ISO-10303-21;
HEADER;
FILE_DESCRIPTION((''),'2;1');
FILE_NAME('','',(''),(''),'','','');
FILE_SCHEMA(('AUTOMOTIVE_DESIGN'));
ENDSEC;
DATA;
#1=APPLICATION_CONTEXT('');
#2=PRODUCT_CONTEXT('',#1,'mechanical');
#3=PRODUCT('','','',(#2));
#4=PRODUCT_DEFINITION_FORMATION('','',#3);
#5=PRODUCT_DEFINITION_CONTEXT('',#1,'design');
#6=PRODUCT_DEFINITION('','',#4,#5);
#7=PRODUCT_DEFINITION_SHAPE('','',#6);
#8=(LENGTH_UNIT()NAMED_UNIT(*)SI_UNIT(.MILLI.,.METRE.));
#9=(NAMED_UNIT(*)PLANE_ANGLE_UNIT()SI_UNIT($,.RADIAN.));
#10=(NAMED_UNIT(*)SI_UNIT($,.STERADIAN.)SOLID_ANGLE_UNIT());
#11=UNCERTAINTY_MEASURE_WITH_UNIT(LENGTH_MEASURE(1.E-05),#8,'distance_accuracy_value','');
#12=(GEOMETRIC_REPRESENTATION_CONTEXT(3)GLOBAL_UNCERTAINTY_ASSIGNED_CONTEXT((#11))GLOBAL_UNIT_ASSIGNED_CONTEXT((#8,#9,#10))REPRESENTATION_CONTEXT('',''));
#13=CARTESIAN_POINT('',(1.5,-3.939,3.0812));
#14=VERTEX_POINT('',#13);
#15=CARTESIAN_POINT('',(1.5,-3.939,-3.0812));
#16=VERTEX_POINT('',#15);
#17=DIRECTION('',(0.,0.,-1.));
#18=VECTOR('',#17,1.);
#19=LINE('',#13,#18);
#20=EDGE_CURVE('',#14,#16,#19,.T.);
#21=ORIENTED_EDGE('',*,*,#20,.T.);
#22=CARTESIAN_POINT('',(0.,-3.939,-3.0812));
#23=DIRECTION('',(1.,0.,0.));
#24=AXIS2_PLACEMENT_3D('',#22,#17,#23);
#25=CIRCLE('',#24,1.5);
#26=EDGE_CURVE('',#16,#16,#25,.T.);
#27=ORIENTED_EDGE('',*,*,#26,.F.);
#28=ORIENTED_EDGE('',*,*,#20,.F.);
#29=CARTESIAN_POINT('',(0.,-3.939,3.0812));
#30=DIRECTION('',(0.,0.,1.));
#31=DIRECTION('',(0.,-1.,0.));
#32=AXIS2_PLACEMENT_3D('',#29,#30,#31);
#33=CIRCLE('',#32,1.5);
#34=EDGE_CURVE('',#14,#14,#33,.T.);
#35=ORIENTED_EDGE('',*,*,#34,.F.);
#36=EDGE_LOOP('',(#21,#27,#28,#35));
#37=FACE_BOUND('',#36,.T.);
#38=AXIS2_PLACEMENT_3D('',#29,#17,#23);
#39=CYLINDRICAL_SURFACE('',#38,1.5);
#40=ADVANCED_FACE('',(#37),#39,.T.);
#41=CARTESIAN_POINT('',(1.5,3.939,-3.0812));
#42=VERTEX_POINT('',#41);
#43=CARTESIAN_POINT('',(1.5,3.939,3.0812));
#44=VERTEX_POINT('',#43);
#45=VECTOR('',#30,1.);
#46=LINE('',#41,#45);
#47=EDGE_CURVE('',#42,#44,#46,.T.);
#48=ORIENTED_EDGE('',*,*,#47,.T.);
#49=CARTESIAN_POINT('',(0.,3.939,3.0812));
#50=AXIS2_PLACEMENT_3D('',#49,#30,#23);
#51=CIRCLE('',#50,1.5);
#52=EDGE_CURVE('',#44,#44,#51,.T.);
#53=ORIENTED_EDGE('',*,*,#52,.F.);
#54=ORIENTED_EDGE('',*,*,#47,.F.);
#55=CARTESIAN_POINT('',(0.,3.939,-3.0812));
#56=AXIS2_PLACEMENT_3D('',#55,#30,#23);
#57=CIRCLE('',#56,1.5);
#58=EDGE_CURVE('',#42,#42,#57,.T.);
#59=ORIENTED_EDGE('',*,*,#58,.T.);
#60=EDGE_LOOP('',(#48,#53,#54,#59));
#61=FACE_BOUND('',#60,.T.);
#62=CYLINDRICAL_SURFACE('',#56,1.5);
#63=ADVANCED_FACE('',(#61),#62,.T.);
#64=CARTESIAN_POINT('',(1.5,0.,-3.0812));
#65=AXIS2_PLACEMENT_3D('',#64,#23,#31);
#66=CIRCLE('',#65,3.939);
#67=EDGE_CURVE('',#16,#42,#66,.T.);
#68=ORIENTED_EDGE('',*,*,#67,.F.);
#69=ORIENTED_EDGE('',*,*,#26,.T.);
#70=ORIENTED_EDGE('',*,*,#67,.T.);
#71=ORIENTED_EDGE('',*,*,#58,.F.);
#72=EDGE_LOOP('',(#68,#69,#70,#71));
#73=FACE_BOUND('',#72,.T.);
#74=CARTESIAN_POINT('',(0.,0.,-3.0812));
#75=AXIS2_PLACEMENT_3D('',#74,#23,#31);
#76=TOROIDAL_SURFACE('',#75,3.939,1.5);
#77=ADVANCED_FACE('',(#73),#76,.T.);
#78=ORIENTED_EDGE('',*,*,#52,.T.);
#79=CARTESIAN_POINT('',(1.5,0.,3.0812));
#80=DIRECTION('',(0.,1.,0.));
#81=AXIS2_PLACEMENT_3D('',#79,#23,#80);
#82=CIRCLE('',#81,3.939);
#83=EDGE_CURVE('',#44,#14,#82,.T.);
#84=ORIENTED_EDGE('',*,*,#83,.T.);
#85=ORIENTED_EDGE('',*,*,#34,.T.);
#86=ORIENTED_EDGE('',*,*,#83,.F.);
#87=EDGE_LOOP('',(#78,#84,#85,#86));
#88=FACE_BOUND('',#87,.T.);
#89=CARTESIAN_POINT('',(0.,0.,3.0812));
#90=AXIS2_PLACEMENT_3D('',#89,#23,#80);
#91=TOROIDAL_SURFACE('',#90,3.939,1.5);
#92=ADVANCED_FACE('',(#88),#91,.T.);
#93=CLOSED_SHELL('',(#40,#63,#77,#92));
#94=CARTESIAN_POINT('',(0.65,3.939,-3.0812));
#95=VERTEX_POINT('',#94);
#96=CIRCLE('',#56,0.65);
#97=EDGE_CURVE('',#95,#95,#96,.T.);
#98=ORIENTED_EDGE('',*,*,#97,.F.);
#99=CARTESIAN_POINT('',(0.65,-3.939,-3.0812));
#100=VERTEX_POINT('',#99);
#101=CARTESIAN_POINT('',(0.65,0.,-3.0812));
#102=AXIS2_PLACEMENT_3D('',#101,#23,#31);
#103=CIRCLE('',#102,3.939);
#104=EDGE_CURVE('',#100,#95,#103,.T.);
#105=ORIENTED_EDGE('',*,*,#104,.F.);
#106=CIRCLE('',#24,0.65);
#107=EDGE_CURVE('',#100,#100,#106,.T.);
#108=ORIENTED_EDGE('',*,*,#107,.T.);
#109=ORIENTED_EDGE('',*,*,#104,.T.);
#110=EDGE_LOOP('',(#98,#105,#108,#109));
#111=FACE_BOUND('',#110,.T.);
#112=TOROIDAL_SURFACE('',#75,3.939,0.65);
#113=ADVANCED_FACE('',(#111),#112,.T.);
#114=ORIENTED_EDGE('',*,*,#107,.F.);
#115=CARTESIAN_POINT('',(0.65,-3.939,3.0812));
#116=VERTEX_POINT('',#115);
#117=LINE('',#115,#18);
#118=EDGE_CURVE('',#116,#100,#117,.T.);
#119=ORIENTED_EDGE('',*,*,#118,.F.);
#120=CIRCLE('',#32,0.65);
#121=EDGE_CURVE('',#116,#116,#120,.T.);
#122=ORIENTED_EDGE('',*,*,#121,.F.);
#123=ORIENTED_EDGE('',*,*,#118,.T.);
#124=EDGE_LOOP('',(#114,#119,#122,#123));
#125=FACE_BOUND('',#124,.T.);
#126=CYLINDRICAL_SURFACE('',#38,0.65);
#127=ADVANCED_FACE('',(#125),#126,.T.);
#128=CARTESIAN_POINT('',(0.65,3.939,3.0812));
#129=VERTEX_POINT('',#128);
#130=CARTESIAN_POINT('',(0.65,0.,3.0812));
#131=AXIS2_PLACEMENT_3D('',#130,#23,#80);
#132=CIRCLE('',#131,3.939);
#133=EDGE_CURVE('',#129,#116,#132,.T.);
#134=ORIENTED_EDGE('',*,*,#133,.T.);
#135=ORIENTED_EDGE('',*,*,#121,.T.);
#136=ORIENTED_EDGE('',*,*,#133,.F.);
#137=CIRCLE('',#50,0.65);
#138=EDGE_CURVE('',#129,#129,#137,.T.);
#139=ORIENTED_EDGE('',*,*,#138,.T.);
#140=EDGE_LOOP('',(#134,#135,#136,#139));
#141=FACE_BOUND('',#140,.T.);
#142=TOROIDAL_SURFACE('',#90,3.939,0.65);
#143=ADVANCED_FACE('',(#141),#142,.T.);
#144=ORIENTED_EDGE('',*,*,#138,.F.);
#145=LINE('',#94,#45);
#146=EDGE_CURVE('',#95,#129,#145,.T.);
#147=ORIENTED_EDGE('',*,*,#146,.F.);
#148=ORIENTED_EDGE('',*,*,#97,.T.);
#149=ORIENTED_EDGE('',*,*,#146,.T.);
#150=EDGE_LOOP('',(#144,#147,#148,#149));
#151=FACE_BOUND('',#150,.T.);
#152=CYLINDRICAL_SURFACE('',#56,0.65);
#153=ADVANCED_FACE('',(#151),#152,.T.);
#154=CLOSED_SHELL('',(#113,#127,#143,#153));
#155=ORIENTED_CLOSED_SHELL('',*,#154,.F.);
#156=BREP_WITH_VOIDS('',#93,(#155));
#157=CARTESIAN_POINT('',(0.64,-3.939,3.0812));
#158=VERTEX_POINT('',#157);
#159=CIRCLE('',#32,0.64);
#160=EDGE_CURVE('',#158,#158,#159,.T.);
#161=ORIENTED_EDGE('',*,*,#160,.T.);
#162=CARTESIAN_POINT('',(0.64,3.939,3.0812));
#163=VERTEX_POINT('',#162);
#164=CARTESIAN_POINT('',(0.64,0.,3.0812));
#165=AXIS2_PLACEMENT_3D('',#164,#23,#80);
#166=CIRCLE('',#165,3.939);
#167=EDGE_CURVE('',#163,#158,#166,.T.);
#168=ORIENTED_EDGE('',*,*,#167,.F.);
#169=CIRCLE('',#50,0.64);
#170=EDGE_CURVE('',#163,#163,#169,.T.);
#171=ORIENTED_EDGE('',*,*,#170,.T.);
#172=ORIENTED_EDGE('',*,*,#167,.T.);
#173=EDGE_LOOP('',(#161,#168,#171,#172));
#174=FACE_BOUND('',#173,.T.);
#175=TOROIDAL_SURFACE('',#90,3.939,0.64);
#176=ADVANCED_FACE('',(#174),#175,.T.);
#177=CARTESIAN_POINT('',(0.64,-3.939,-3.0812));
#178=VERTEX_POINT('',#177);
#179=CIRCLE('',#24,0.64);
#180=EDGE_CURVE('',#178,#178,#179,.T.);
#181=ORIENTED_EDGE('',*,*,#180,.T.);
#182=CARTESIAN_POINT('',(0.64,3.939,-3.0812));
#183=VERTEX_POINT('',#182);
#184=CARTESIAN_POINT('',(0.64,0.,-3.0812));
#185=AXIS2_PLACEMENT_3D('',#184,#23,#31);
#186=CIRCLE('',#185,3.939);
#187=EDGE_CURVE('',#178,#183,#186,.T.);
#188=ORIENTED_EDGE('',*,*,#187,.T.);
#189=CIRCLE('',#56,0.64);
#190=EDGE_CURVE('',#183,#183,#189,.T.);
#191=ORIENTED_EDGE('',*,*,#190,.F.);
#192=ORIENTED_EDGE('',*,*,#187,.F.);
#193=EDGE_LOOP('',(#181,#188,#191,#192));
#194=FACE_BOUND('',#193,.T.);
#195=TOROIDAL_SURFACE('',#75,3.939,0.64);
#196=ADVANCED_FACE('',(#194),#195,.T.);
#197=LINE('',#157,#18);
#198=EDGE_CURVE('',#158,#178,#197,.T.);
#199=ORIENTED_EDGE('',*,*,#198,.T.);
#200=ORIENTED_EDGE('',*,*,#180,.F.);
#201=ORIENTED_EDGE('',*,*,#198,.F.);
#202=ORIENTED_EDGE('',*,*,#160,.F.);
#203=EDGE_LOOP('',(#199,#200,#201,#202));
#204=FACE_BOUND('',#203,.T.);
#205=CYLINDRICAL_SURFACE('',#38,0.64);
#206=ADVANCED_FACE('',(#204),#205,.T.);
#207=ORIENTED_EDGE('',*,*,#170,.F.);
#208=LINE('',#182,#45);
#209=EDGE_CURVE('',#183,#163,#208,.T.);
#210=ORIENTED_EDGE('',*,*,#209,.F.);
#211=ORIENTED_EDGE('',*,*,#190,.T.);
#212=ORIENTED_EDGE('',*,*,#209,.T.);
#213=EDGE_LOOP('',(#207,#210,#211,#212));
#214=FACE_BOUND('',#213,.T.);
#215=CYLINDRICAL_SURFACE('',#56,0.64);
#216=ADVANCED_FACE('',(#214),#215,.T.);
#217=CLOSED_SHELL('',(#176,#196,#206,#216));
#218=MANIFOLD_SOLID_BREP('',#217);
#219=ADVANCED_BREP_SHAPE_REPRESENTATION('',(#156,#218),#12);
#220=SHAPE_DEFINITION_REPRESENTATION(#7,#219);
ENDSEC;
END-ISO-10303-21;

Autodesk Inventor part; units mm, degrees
ref_plane "YZ Plane" through (0, 0, 0) normal (1, 0, 0) x (0, 1, 0)
ref_plane "XZ Plane" through (0, 0, 0) normal (0, 1, 0) x (-1, 0, 0)
ref_plane "XY Plane" through (0, 0, 0) normal (0, 0, 1) x (1, 0, 0)
sketch "Sketch1" plane through (0, 0, 0) normal (1, 0, 0) x (0, 1, 0)
  line L0 (0, -3.0812) -> (0, 3.0812) construction
  line L1 (3.939, -3.0812) -> (3.939, 3.0812)
  line L2 (-3.939, 3.0812) -> (-3.939, -3.0812)
  arc A0 (-3.939, -3.0812) -> (3.939, -3.0812) centre (0, -3.0812) ccw
  arc A1 (3.939, 3.0812) -> (-3.939, 3.0812) centre (0, 3.0812) ccw
  point P0 (0, 0)
sketch "Sketch2" plane through (0, 0, 0) normal (0, 0, 1) x (1, 0, 0)
  circle A0 centre (0, 3.939) radius 1.5
  circle A1 centre (0, 3.939) radius 0.65
  circle A2 centre (0, 3.939) radius 0.64
  point P0 (0, 0)
  dimension "d0" = 3
  dimension "d1" = 1.3
  dimension "d2" = 0.01
sweep "Sweep1" add profiles "Sketch2" path "Sketch1" contours A0
sweep "Sweep2" add profiles "Sketch2" path "Sketch1" separate body contours A2
sketch "Sketch3" plane through (0, 0, 0) normal (1, 0, 0) x (0, 1, 0)
  line L0 (7.1304, -9.2753) -> (0, -9.2753)
  line L1 (0, -9.2753) -> (0, -2.087)
  line L2 (0, -2.087) -> (7.1304, -2.087)
  line L3 (7.1304, -2.087) -> (7.1304, -9.2753)
  point P0 (0, 0)
properties part number "ring"
